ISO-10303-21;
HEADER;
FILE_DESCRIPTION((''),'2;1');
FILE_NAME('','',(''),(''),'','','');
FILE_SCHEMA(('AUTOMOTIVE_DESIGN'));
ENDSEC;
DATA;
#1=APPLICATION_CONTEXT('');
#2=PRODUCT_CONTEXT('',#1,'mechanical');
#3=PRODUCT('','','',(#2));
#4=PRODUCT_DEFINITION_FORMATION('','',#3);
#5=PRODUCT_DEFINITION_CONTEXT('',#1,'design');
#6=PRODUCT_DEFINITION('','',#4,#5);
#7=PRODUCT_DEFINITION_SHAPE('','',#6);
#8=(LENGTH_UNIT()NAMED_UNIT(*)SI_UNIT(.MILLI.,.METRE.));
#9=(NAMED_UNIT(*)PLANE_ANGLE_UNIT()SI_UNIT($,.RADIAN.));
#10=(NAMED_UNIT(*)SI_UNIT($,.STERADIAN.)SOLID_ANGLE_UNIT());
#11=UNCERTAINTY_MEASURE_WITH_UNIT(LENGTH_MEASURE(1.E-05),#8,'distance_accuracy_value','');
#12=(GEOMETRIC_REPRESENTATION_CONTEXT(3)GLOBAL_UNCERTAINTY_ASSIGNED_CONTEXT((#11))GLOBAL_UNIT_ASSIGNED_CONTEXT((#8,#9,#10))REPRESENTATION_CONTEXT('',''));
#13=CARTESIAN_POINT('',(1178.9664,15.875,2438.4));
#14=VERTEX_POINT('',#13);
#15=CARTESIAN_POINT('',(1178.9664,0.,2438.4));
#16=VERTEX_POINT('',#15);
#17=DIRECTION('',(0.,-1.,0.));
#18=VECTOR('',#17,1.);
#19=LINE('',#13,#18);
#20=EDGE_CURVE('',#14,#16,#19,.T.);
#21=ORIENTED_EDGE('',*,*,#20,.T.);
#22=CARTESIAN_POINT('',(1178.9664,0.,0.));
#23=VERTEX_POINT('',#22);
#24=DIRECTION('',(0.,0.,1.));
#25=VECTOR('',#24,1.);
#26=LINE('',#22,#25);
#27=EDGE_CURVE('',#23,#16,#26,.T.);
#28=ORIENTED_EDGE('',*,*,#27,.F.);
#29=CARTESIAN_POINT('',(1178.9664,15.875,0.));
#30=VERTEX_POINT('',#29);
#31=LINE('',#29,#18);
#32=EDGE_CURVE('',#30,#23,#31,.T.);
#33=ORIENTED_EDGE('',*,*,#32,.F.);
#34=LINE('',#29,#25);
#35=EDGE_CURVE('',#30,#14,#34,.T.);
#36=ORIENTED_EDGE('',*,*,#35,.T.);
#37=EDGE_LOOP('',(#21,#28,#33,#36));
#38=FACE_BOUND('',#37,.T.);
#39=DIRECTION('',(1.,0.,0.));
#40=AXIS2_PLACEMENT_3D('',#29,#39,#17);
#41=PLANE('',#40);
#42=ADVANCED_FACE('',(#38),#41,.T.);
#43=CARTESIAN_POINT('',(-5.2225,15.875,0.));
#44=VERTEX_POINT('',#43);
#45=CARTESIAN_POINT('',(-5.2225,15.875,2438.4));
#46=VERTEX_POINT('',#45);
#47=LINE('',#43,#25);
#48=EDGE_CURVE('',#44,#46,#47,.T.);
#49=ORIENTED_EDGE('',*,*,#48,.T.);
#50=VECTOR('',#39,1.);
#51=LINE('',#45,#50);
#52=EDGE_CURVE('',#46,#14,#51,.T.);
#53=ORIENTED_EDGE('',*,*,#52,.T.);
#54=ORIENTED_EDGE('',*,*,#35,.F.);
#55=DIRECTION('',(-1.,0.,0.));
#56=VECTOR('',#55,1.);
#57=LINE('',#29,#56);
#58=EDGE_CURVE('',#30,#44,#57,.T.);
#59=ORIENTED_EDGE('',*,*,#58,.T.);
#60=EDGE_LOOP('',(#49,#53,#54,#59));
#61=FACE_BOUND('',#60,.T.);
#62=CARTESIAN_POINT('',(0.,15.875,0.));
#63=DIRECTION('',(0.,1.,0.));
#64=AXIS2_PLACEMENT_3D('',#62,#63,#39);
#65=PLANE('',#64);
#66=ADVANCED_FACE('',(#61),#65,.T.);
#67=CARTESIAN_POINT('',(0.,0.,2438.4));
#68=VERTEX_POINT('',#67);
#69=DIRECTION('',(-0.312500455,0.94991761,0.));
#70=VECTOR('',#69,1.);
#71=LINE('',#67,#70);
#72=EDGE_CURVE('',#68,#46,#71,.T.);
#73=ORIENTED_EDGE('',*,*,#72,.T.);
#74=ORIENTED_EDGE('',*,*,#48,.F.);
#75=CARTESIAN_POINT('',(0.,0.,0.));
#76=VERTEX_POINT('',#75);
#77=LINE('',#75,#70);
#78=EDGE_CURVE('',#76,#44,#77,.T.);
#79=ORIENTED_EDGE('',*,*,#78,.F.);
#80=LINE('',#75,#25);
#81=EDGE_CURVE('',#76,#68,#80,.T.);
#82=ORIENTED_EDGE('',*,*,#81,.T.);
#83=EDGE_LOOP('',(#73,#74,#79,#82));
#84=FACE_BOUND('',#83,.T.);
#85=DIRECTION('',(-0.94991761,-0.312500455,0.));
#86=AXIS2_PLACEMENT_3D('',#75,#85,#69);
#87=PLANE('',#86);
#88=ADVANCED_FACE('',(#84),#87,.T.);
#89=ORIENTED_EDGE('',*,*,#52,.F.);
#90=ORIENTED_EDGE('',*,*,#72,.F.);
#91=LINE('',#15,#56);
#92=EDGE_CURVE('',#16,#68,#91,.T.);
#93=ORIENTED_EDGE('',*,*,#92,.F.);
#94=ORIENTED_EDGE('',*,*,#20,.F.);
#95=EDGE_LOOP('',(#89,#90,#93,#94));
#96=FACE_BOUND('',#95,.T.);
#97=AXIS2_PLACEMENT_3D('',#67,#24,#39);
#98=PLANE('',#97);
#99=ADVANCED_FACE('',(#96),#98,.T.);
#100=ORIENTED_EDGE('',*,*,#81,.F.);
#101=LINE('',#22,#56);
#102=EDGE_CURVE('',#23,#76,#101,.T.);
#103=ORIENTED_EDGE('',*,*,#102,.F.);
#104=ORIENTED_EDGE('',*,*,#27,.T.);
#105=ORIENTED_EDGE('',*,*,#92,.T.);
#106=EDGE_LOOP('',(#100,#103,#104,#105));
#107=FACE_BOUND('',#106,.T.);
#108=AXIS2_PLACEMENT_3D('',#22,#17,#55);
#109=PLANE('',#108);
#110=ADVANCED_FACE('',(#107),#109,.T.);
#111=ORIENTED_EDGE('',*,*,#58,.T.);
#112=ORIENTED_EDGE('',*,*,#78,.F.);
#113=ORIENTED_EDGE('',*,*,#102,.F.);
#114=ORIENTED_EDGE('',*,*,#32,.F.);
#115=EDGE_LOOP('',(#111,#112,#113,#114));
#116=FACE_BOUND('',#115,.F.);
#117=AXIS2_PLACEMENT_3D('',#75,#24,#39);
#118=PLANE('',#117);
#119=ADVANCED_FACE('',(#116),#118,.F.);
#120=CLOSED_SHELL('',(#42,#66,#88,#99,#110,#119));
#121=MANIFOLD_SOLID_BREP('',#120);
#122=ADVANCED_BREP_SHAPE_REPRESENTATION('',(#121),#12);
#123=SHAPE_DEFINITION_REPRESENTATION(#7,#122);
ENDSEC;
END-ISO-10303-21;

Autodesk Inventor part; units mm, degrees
ref_plane "YZ Plane" through (0, 0, 0) normal (1, 0, 0) x (0, 1, 0)
ref_plane "XZ Plane" through (0, 0, 0) normal (0, 1, 0) x (-1, 0, 0)
ref_plane "XY Plane" through (0, 0, 0) normal (0, 0, 1) x (1, 0, 0)
sketch "Sketch2" plane through (0, 0, 0) normal (0, 0, 1) x (1, 0, 0)
  line L0 (0, 0) -> (-5.2225, 15.875)
  line L1 (-5.2225, 15.875) -> (1178.9664, 15.875)
  line L2 (1178.9664, 15.875) -> (1178.9664, 0)
  line L3 (1178.9664, 0) -> (0, 0)
  line L4 (0, 0) -> (0, 15.875)
  dimension "d8" = 15.875
  dimension "d9" = 18.21
  dimension "d14" = 1178.9664
extrude "Extrusion2" add sketch "Sketch2" along normal blind 2438.4
properties part number "OSB_For_Roof_With_Dimensions_45.796_x_48" material "Wood (Birch)"
